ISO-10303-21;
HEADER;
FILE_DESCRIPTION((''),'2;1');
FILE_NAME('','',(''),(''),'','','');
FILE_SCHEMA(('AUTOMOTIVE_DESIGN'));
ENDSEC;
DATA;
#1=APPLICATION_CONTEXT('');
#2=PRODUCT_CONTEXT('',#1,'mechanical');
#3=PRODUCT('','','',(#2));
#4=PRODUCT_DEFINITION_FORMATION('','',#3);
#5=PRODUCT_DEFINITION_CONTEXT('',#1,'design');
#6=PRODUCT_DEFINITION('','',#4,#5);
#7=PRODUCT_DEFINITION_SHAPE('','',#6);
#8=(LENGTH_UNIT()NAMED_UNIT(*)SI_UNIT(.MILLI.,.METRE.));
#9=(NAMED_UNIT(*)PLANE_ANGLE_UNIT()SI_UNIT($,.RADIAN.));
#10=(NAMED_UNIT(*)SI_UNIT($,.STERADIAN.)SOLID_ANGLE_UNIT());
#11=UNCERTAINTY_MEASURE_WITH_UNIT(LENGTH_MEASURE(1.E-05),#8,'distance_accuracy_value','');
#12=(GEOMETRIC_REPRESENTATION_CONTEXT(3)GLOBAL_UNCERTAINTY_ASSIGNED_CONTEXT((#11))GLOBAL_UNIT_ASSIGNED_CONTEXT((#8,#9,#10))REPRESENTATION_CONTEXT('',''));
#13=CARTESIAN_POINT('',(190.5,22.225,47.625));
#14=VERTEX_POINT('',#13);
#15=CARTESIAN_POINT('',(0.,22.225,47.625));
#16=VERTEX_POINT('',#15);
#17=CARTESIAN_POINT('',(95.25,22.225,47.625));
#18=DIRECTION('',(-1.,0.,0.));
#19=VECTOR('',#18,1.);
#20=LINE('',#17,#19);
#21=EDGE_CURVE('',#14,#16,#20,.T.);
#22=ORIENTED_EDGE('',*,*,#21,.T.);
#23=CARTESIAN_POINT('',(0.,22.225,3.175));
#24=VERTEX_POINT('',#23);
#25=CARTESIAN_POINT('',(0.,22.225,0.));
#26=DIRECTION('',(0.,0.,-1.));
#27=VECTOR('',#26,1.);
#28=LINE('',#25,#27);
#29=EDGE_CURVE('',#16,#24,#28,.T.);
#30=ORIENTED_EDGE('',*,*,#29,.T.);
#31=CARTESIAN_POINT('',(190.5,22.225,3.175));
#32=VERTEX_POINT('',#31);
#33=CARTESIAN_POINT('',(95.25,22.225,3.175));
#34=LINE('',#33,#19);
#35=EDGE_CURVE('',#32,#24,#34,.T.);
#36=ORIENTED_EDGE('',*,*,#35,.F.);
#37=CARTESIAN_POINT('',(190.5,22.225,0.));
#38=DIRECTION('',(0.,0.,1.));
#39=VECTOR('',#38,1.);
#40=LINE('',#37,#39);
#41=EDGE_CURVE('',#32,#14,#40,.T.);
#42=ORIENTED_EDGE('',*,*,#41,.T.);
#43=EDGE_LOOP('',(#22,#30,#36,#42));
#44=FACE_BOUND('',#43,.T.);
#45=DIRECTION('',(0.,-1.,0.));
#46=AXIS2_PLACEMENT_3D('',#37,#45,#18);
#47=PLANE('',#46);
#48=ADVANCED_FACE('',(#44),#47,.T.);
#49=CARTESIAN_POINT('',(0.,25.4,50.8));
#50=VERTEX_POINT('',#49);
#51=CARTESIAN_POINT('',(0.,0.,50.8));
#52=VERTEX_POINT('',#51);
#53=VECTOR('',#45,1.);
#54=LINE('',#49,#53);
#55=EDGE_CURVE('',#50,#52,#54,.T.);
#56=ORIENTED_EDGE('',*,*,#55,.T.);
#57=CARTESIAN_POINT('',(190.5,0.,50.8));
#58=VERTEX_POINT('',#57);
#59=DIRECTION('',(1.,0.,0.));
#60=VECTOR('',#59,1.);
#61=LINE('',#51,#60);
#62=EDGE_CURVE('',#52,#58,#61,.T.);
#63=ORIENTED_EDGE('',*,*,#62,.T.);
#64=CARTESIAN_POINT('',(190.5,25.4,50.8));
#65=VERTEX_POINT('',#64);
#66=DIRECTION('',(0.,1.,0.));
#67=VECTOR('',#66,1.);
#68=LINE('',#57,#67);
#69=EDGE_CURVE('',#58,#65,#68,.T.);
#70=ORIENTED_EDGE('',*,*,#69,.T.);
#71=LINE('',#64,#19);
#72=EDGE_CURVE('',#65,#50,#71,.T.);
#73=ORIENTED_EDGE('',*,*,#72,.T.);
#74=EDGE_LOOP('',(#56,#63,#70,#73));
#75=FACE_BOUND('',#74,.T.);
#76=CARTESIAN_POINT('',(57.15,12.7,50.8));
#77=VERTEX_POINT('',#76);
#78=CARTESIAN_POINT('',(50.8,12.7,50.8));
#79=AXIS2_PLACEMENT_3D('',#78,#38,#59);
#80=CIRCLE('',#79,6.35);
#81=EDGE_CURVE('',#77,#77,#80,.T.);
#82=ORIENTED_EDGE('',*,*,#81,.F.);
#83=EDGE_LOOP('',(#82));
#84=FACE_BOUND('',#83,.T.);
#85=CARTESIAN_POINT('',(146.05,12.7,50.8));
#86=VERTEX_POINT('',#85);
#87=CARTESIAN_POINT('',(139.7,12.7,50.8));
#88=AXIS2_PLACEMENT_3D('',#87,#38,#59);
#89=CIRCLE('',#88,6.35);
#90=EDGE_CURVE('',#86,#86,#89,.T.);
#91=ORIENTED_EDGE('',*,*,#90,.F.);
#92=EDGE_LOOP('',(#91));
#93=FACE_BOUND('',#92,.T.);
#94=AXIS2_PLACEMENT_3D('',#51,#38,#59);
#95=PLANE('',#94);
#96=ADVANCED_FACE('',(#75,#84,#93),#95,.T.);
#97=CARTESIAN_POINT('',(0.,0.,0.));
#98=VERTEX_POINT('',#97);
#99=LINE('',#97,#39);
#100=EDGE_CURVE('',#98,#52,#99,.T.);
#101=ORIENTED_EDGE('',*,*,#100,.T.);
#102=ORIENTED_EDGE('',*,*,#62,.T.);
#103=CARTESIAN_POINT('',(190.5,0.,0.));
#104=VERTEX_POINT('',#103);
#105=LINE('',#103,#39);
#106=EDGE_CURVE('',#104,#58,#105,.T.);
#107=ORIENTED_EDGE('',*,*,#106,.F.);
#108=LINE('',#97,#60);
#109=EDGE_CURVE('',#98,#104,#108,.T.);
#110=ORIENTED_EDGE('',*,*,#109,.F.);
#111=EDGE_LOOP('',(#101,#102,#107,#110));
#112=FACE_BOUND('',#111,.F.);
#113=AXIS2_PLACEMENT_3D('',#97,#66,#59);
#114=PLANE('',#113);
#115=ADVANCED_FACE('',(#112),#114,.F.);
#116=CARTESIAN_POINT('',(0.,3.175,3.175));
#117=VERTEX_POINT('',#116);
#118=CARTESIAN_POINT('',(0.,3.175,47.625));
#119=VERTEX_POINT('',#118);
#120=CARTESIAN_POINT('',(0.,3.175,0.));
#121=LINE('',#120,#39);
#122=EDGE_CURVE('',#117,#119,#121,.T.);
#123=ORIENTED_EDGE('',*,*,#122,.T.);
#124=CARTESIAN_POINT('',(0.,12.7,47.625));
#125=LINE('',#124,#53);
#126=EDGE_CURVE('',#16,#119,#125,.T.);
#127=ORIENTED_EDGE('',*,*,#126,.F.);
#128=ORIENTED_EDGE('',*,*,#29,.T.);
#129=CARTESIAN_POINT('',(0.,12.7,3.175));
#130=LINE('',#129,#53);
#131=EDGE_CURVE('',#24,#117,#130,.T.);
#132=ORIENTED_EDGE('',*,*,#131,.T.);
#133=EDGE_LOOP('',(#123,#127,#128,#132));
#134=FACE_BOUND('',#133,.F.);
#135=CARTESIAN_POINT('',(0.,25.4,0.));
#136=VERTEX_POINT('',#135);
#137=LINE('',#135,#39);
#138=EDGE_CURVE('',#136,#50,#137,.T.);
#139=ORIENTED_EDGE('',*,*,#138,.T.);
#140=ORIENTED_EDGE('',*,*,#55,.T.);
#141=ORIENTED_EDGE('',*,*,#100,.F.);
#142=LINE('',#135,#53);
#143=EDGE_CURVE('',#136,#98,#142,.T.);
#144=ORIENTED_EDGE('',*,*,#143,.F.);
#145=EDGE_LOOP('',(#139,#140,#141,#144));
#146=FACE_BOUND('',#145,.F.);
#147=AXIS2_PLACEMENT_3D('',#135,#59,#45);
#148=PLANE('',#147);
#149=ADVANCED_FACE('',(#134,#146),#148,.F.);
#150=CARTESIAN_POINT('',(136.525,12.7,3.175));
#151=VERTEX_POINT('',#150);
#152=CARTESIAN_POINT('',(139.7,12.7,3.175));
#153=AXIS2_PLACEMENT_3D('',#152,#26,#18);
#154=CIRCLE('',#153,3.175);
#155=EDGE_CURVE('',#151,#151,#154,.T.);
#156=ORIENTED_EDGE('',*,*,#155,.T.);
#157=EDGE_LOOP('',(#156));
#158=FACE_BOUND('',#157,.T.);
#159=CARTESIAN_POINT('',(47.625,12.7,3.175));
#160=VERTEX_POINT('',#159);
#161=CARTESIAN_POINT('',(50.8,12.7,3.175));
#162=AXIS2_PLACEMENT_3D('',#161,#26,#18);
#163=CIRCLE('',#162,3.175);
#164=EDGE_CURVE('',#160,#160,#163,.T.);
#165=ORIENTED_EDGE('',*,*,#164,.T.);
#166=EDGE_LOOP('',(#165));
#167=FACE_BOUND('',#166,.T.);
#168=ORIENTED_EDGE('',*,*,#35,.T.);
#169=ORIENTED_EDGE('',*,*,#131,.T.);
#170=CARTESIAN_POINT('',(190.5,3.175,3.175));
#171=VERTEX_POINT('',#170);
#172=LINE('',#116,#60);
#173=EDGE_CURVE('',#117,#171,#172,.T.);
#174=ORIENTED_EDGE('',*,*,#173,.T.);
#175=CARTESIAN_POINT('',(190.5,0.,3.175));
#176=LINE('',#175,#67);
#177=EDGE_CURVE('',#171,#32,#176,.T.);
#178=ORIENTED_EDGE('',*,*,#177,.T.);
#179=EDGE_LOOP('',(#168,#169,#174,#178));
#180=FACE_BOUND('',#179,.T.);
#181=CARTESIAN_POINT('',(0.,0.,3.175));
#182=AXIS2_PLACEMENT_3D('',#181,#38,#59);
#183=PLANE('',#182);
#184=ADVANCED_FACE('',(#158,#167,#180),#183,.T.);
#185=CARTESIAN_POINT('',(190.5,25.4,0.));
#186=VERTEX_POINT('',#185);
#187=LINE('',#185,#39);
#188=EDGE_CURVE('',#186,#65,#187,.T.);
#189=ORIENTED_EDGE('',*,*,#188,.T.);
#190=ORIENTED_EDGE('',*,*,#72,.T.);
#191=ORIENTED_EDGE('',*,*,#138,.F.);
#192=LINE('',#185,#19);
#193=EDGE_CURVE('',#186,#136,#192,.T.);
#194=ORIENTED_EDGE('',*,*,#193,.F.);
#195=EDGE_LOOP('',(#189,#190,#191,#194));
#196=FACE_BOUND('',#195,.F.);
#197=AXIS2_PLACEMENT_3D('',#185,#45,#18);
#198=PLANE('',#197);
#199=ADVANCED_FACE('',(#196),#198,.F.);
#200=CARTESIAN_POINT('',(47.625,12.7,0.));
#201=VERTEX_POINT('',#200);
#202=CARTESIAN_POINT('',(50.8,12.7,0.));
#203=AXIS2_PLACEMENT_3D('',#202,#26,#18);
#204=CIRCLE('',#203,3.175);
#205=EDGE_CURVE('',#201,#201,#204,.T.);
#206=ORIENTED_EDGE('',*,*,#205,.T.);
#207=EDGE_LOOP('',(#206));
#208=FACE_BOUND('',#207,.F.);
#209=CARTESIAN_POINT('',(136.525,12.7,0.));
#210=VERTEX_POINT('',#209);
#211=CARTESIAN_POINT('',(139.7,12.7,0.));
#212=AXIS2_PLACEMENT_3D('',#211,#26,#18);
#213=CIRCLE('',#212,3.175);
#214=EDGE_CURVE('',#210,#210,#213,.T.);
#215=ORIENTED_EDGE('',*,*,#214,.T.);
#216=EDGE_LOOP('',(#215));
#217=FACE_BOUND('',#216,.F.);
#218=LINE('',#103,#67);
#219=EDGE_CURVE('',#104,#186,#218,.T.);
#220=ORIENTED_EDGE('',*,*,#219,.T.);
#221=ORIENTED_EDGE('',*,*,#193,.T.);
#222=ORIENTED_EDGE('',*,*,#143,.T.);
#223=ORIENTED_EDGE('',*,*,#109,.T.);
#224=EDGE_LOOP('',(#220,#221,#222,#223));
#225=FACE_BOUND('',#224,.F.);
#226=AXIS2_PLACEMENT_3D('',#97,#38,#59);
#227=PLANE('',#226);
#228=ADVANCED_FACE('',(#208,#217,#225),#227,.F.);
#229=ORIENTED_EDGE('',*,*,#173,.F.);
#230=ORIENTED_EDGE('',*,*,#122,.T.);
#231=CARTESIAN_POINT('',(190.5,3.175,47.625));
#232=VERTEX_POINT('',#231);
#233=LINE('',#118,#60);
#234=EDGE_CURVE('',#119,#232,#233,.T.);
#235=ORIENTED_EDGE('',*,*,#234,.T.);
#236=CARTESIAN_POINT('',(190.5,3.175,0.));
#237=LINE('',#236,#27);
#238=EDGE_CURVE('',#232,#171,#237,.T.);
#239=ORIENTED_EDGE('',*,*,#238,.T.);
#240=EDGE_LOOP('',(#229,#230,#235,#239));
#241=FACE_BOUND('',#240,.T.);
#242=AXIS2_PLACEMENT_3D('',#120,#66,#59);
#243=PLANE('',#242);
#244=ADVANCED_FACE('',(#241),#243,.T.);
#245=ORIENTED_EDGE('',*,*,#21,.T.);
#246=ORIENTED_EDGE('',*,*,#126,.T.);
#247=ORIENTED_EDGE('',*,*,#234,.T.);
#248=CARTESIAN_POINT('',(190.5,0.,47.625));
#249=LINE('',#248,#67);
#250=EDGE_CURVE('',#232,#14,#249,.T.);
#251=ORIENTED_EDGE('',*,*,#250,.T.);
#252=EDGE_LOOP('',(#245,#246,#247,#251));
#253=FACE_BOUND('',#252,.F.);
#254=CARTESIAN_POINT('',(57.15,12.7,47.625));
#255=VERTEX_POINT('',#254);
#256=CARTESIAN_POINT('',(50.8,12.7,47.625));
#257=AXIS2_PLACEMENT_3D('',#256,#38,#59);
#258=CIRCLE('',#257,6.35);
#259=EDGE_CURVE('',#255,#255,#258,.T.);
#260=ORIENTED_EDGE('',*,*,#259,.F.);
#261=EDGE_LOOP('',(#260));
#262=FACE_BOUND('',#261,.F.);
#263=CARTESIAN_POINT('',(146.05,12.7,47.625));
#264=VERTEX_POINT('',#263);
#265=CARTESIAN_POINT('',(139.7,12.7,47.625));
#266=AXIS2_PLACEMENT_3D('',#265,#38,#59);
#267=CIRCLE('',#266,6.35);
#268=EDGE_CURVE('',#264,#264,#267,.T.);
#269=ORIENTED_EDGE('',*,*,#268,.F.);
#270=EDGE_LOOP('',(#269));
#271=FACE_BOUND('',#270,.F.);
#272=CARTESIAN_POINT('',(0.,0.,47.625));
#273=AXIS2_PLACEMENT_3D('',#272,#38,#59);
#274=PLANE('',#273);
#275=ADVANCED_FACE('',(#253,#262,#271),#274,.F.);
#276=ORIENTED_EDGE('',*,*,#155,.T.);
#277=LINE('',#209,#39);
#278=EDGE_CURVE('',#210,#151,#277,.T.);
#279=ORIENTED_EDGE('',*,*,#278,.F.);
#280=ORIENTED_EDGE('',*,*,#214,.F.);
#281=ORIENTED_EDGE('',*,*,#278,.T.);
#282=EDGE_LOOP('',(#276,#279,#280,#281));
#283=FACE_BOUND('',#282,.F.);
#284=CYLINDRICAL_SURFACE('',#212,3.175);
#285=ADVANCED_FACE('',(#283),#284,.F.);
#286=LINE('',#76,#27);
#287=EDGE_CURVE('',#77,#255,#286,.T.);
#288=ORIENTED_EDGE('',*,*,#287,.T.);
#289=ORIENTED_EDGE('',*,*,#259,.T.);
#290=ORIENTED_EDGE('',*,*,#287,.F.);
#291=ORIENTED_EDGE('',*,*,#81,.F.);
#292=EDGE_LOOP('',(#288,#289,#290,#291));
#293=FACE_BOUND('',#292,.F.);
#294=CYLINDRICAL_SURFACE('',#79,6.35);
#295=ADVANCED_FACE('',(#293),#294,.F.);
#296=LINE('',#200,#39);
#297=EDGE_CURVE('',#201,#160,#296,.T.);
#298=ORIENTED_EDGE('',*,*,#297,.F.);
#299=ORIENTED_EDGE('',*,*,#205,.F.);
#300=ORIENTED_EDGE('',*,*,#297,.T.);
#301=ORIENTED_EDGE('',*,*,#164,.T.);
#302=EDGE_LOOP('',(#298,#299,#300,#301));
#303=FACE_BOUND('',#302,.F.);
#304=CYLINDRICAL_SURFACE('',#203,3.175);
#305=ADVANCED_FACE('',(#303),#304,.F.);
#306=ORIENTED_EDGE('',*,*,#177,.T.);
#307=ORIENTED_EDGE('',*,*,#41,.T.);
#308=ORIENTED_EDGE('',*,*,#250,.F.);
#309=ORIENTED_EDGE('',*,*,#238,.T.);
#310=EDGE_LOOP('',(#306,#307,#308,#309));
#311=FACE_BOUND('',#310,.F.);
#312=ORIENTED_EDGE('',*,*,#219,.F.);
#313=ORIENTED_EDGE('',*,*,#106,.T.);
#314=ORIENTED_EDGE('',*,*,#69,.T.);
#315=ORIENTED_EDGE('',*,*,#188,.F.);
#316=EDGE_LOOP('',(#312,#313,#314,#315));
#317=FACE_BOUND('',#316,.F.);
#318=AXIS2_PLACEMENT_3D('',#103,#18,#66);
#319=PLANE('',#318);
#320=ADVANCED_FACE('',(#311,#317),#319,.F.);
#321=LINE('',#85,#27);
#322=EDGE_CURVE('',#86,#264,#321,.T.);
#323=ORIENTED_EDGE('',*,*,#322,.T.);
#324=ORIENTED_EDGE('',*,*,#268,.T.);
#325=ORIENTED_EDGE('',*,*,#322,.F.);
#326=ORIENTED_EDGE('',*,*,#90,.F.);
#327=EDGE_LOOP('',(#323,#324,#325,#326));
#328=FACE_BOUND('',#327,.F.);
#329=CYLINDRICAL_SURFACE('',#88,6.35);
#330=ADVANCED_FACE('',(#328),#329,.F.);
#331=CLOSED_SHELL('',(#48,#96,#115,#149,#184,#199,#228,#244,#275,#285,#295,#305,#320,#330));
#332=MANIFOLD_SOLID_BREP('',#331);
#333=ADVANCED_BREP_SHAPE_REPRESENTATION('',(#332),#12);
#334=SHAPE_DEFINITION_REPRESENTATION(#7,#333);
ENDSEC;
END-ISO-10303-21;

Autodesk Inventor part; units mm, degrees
ref_plane "YZ Plane" through (0, 0, 0) normal (1, 0, 0) x (0, 1, 0)
ref_plane "XZ Plane" through (0, 0, 0) normal (0, 1, 0) x (-1, 0, 0)
ref_plane "XY Plane" through (0, 0, 0) normal (0, 0, 1) x (1, 0, 0)
sketch "Sketch1" plane through (0, 0, 0) normal (0, 0, 1) x (1, 0, 0)
  line L0 (0, 0) -> (190.5, 0)
  line L1 (190.5, 0) -> (190.5, 25.4)
  line L2 (190.5, 25.4) -> (0, 25.4)
  line L3 (0, 25.4) -> (0, 0)
  dimension "d0" = 190.5
  dimension "d1" = 25.4
extrude "Extrusion1" add sketch "Sketch1" along normal blind 50.8
shell "Shell1" thickness 3.175 removed faces 2 at (0, 16.9333, 33.8667) at (190.5, 8.4667, 16.9333)
sketch "Sketch4" plane through (0, 0, 0) normal (0, 0, -1) x (-1, 0, 0)
  line L0 (0, 25.4) -> (0, 0) projected
  line L1 (-190.5, 25.4) -> (0, 25.4) projected
  line L2 (-190.5, 0) -> (-190.5, 25.4) projected
  circle A0 centre (-139.7, 12.7) radius 3.175
  circle A1 centre (-50.8, 12.7) radius 3.175
  dimension "d5" = 50.8
  dimension "d6" = 50.8
  dimension "d7" = 12.7
  dimension "d8" = 12.7
  dimension "d9" = 6.35
extrude "Extrusion2" cut sketch "Sketch4" against normal through all
sketch "Sketch5" plane through (0, 0, 50.8) normal (0, 0, 1) x (1, 0, 0)
  circle A0 centre (50.8, 12.7) radius 3.175 projected
  circle A1 centre (139.7, 12.7) radius 3.175 projected
  circle A2 centre (50.8, 12.7) radius 6.35
  circle A3 centre (139.7, 12.7) radius 6.35
  dimension "d12" = 12.7
  dimension "d13" = 12.7
extrude "Extrusion3" cut sketch "Sketch5" against normal up to next
properties part number "SpatulaPivotMount" material "Aluminum-6061"
